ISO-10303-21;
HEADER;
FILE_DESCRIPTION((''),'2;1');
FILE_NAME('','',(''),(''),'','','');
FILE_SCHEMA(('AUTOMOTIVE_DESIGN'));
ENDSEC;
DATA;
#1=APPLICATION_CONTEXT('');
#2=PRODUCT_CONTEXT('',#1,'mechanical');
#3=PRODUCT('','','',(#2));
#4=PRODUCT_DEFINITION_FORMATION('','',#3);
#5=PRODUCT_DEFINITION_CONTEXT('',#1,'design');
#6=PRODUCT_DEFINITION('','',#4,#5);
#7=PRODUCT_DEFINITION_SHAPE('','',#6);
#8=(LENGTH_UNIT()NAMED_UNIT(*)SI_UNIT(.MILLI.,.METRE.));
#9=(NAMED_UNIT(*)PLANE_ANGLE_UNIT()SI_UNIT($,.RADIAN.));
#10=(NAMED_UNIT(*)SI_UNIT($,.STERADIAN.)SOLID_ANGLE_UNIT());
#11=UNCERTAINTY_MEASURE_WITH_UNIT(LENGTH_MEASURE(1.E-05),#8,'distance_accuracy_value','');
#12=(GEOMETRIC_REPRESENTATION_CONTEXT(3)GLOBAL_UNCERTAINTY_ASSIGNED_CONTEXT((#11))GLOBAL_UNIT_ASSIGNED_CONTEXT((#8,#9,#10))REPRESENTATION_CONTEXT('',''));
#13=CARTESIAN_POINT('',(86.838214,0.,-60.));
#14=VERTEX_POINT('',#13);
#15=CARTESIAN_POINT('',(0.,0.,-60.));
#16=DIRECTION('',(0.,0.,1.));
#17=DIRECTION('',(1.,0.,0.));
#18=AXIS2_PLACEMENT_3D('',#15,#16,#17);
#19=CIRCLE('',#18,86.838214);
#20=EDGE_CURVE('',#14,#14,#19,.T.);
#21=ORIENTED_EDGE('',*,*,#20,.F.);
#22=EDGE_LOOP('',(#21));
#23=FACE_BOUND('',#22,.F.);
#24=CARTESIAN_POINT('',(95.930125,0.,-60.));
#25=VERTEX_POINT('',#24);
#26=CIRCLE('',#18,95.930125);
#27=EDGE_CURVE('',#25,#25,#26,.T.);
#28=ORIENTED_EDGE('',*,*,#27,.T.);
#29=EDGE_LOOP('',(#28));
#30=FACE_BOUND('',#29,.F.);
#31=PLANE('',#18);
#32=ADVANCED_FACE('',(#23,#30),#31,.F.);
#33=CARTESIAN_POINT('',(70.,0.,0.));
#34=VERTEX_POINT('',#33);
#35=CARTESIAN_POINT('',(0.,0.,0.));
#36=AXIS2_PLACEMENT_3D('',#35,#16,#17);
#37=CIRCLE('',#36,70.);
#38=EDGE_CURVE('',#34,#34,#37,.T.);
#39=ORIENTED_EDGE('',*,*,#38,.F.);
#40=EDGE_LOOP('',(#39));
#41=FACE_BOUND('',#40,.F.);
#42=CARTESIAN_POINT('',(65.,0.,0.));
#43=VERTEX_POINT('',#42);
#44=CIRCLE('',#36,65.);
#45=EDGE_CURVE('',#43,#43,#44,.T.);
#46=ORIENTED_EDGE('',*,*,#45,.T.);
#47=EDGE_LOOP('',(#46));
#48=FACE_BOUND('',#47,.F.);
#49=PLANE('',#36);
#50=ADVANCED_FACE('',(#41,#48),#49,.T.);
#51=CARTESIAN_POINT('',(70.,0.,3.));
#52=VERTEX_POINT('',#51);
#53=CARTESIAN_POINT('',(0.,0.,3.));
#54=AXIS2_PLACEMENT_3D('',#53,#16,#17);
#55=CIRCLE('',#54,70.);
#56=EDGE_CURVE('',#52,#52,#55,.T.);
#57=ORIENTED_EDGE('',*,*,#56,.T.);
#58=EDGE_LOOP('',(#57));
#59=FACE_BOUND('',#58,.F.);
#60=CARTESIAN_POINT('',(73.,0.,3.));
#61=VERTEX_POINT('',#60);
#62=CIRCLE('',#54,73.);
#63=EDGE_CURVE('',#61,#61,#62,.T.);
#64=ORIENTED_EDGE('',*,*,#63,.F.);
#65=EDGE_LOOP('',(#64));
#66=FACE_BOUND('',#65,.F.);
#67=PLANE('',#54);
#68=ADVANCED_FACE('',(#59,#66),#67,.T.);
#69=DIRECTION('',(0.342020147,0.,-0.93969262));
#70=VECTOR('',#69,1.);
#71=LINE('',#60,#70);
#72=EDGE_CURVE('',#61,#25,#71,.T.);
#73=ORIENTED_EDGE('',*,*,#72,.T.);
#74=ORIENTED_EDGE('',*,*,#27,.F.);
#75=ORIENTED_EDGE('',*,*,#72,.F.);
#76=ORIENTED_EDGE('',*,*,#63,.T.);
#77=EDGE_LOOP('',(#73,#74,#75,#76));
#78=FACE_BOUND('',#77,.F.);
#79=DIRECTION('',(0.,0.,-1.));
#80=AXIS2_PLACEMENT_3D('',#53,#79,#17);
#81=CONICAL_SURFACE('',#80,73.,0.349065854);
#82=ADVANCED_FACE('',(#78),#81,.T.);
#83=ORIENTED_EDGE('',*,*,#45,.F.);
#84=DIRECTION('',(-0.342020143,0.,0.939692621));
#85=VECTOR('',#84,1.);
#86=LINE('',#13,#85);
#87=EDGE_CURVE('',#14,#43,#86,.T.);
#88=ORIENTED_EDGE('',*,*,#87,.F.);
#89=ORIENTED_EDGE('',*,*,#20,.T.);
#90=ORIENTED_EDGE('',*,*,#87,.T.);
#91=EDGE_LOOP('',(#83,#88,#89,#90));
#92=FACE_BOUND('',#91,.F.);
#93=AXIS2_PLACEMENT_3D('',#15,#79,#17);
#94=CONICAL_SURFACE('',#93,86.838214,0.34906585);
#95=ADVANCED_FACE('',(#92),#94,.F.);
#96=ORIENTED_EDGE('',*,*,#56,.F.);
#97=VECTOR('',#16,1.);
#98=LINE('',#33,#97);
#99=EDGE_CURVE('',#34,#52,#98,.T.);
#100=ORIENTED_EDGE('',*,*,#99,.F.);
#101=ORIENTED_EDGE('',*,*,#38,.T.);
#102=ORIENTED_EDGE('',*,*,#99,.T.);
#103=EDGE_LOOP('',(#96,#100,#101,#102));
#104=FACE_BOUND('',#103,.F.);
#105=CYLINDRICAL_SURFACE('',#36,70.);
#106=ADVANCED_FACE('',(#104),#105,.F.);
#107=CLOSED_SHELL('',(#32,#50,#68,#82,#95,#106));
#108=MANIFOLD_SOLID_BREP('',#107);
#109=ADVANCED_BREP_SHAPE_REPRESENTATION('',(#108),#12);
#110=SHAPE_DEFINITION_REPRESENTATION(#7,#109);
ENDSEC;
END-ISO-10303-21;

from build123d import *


with BuildPart() as part:
    # Sketch → Revolution (revolve)
    with BuildSketch(Plane.XZ):
        Polygon((65, 0), (70, 0), (70, 3), (73, 3), (95.930125, -60), (86.838214, -60), align=None)
    revolve(axis=Axis((0, 0, 0), (0, 0, 1)))


solid = part.part
